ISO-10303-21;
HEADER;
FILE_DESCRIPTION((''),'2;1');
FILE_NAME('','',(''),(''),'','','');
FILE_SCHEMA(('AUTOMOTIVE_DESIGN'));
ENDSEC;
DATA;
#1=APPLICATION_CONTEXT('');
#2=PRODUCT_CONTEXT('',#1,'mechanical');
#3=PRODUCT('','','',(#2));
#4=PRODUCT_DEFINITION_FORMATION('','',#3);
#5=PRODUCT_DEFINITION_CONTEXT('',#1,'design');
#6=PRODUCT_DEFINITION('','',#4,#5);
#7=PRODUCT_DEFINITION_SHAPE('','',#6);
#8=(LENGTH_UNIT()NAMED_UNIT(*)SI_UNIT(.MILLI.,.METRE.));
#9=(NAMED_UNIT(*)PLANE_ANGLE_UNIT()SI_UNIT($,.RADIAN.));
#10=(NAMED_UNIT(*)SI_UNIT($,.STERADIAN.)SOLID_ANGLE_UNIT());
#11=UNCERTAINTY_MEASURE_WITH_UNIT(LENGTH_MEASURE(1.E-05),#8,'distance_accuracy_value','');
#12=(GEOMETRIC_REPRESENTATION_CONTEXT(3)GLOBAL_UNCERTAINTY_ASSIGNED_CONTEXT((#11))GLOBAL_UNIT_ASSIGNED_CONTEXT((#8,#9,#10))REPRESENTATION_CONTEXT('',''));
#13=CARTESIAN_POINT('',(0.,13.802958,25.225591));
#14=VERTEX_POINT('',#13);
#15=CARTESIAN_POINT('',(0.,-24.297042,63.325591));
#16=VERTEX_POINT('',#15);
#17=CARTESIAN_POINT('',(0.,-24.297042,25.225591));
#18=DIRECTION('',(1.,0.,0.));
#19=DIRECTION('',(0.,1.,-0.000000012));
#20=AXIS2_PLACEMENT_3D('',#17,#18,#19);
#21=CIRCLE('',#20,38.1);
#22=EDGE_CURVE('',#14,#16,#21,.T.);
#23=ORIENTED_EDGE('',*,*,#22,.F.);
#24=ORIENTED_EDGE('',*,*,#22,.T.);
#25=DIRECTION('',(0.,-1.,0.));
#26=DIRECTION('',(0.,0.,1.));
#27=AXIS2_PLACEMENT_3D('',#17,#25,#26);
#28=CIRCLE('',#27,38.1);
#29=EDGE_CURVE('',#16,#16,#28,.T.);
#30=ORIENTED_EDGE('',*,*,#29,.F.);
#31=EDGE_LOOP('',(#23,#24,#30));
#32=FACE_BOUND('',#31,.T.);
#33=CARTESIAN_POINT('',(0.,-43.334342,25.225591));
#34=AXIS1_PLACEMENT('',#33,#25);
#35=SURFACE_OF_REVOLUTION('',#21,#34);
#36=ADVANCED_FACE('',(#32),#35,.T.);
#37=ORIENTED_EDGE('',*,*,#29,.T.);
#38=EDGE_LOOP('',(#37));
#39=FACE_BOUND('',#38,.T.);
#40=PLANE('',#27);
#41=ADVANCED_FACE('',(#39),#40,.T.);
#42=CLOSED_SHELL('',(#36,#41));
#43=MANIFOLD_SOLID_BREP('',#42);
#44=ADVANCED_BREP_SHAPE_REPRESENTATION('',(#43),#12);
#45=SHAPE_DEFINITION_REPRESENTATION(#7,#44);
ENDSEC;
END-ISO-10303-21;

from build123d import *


with BuildPart() as f1:
    # F0 (on Right) → F1 (revolve)
    with BuildSketch(Plane.YZ):
        with BuildLine():
            ThreePointArc((13.802958, 25.225591), (2.643727, 52.166359), (-24.297042, 63.325591))
            Line((-24.297042, 63.325591), (-24.297042, 63.300191))
            Line((-24.297042, 63.300191), (-24.297042, 25.225591))
            Line((-24.297042, 25.225591), (13.776503, 25.225591))
            Line((13.776503, 25.225591), (13.802958, 25.225591))
        make_face()
    revolve(axis=Axis((0, -43.334342, 25.225591), (0, -1, 0)))


solid = f1.part
